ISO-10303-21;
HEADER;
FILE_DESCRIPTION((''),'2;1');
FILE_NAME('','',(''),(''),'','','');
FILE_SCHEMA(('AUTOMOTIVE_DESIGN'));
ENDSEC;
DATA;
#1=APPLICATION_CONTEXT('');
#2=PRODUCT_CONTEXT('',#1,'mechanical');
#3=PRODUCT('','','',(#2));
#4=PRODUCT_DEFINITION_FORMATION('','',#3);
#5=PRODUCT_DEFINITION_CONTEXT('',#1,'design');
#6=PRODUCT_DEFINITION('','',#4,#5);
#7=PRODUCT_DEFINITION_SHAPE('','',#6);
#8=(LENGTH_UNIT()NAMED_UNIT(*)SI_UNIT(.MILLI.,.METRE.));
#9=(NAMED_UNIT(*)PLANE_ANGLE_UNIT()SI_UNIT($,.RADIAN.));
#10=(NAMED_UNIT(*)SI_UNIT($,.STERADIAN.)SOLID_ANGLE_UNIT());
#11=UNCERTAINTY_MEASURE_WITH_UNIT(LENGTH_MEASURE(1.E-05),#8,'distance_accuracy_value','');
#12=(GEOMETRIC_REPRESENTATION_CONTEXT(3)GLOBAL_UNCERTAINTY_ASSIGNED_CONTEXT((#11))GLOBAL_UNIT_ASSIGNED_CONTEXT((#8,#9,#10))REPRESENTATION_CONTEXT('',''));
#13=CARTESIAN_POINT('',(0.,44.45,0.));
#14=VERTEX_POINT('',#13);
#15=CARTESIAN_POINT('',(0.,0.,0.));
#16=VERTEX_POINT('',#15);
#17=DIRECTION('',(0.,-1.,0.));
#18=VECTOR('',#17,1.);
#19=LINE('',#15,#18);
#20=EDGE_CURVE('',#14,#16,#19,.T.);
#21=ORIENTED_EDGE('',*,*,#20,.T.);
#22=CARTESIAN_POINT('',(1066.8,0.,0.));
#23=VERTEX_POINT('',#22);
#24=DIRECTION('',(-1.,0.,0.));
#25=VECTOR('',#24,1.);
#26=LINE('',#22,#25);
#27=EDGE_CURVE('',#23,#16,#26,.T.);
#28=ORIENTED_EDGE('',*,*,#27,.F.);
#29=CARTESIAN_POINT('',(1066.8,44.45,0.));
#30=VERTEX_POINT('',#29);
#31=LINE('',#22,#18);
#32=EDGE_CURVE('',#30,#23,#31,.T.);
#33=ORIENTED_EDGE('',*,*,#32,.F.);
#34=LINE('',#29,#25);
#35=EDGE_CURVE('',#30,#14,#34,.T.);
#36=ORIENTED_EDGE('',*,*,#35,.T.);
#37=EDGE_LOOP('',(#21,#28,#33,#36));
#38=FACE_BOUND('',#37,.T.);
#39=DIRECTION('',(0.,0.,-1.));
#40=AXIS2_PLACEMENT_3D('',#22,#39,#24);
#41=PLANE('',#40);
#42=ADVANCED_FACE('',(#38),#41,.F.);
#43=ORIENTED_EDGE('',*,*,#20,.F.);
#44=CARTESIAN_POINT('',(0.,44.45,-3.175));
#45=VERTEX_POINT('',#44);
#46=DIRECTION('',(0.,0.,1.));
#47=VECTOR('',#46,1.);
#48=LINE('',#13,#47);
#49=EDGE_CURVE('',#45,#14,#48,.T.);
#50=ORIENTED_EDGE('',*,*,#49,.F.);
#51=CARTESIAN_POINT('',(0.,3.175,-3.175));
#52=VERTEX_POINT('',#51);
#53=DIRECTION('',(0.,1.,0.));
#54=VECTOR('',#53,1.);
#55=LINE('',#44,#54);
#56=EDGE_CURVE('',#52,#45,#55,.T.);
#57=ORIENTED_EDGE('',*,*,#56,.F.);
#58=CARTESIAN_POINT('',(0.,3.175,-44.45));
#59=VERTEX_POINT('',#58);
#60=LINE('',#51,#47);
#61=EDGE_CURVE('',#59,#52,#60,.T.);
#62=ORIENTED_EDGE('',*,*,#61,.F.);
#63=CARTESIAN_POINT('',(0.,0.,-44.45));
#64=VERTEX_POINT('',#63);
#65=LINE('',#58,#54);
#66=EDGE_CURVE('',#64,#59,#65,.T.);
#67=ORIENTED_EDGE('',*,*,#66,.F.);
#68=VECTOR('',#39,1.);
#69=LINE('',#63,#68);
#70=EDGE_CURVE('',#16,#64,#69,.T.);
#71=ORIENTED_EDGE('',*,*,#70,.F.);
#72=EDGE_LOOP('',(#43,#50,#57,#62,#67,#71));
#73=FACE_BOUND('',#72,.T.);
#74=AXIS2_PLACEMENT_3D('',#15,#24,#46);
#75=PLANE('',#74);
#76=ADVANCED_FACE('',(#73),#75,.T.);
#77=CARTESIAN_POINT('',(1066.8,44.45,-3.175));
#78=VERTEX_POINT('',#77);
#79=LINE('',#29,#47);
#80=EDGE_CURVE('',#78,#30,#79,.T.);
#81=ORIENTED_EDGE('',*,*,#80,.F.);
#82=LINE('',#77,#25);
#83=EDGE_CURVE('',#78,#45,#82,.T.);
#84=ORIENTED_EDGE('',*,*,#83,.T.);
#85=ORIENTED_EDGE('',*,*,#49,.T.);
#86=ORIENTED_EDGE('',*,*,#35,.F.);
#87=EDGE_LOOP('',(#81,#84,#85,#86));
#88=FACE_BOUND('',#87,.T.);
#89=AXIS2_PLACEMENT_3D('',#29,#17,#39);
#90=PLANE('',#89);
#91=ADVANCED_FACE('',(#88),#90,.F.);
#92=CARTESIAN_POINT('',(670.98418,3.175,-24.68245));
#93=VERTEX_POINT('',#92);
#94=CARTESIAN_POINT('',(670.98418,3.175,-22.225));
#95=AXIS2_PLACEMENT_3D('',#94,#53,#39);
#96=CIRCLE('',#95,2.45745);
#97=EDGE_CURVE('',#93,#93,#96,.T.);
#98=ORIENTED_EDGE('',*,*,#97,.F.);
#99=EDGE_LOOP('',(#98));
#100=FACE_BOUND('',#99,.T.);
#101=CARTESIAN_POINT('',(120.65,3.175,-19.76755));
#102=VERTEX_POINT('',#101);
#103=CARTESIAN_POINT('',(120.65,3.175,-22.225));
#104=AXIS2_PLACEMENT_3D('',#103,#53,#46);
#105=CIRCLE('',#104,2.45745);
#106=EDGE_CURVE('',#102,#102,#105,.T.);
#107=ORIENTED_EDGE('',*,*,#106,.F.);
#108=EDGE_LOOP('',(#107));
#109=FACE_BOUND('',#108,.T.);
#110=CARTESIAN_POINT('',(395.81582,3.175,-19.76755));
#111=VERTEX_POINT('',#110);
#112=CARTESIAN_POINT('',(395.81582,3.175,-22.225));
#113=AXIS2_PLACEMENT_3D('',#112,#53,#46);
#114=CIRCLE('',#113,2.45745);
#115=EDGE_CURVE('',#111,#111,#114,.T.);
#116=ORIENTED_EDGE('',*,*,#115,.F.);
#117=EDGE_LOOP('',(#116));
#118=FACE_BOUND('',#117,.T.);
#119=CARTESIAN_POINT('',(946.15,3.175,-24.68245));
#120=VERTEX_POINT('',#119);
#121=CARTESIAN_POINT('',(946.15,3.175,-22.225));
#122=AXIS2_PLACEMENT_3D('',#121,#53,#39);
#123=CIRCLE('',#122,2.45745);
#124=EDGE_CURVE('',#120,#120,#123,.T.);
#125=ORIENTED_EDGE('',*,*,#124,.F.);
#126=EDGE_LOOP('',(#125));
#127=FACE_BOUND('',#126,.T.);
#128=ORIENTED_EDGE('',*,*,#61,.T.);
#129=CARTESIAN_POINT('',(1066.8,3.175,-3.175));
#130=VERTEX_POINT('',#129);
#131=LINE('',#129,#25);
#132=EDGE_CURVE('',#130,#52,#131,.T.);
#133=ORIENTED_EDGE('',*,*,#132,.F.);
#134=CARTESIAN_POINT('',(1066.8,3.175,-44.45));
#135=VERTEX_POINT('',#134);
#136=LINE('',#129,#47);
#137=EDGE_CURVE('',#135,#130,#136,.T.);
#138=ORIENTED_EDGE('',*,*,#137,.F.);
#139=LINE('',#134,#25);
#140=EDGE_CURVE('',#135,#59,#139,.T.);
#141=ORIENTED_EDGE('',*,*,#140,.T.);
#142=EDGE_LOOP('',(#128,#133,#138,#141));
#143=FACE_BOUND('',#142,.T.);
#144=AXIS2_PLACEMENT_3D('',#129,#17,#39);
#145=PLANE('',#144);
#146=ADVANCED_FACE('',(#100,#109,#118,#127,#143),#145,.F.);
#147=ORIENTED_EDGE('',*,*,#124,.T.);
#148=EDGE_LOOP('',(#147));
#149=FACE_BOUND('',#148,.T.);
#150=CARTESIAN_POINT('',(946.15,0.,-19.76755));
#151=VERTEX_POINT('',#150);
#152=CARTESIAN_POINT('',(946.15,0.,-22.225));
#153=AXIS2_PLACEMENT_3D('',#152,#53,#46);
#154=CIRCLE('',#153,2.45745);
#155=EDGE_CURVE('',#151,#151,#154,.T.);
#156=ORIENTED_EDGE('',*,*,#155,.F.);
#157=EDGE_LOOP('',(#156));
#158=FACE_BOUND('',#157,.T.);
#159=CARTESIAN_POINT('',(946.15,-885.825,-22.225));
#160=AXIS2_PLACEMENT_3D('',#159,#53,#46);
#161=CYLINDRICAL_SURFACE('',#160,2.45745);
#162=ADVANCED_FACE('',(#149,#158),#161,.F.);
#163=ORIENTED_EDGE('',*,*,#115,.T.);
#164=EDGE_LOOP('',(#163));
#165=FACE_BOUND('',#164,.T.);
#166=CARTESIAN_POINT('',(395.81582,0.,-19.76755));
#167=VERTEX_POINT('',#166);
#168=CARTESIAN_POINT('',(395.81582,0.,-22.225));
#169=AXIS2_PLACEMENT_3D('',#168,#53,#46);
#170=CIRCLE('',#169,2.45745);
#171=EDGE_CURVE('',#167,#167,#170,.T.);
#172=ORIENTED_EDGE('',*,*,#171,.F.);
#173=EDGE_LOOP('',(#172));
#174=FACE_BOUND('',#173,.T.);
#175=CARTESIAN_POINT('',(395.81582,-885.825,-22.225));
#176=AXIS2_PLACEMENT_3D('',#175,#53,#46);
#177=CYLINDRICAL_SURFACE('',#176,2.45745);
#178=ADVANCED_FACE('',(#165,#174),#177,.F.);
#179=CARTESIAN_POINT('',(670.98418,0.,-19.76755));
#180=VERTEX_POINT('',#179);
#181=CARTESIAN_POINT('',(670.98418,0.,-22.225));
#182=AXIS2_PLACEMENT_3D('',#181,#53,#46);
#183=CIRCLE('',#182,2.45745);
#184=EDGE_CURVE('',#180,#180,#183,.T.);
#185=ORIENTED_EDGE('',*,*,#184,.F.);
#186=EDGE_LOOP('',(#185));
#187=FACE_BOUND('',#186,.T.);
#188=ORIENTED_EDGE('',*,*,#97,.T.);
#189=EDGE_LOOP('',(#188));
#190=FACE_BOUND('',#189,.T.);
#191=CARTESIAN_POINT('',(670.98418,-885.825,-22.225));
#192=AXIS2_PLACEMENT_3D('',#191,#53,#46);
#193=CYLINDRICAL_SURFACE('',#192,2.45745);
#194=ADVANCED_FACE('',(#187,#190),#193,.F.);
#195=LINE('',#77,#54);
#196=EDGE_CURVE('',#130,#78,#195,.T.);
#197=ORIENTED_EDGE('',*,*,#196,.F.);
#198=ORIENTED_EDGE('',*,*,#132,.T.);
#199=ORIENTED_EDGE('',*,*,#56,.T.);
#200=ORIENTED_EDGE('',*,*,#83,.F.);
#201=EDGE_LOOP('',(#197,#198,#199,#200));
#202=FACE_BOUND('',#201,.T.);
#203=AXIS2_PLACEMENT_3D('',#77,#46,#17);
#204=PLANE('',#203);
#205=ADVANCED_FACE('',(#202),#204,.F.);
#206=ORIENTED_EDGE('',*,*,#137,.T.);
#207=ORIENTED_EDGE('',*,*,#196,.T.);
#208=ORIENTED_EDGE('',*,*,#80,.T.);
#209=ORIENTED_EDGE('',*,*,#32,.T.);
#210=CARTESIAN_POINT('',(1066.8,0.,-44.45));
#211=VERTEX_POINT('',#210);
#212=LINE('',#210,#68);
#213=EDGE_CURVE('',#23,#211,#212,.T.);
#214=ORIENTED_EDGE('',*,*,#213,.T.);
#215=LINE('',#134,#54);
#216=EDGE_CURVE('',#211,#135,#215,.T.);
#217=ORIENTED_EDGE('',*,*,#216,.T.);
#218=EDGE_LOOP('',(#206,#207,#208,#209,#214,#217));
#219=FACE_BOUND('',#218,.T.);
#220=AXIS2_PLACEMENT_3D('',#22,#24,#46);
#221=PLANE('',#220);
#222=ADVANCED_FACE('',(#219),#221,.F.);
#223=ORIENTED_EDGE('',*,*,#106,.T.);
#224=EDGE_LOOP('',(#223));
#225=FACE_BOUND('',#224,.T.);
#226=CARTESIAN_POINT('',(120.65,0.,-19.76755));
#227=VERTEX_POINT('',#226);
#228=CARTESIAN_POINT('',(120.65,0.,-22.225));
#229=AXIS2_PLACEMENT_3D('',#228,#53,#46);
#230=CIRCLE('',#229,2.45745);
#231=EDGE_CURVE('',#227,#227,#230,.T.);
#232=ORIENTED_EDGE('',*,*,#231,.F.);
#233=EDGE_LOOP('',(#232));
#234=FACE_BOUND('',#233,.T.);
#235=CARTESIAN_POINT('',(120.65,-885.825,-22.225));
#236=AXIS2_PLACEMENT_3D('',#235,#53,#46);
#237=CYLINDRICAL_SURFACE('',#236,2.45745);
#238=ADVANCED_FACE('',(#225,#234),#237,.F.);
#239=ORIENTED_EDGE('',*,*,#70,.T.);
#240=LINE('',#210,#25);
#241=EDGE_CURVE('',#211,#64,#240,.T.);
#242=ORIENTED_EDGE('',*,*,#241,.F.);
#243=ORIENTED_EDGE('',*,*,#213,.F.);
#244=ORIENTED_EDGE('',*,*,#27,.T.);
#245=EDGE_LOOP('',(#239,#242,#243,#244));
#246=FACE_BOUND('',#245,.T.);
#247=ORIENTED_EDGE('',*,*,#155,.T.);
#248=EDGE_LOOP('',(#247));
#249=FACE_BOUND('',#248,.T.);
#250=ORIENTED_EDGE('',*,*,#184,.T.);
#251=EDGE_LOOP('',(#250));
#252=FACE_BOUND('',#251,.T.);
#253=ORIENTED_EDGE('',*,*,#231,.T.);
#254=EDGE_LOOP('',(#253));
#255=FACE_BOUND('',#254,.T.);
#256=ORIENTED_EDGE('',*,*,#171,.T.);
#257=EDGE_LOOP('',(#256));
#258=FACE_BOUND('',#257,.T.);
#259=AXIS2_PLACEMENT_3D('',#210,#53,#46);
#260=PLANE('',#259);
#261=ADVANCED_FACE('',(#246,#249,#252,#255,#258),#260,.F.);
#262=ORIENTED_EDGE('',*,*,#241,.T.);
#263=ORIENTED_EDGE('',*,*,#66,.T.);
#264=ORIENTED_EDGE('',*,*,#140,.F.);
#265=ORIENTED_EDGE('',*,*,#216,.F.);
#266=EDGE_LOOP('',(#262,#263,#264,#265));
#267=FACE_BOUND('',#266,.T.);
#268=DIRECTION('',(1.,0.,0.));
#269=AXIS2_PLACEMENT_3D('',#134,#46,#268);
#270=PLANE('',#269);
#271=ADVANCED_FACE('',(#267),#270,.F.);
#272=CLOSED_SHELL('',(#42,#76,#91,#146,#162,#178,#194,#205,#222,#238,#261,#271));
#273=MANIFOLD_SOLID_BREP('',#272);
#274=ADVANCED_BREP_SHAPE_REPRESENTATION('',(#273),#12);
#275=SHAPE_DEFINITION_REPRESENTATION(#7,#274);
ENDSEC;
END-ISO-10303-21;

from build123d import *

# Parameters (mm, degrees)
BOSS_EXTRUDE1_DEPTH = 1066.8
SKETCH2_R           = 2.45745
CUT_EXTRUDE1_DEPTH  = 889


with BuildPart() as part:
    # Sketch1 → Boss-Extrude1 (new body)
    with BuildSketch(Plane(origin=(0, 0, 0), x_dir=(0, 0, -1), z_dir=(1, 0, 0))):
        Polygon((0, 0), (0, 44.45), (3.175, 44.45), (3.175, 3.175), (44.45, 3.175), (44.45, 0), align=None)
    extrude(amount=BOSS_EXTRUDE1_DEPTH)

    # Sketch2 → Cut-Extrude1 (cut)
    with BuildSketch(Plane(origin=(0, 3.175, 0), x_dir=(1, 0, 0), z_dir=(0, 1, 0))):
        with Locations(Location((120.65, 22.225, 0), (0, 0, 270))):
            Circle(SKETCH2_R)
        with Locations(Location((395.81582, 22.225, 0), (0, 0, 270))):
            Circle(SKETCH2_R)
        with Locations(Location((670.98418, 22.225, 0), (0, 0, 270))):
            Circle(SKETCH2_R)
        with Locations(Location((946.15, 22.225, 0), (0, 0, 270))):
            Circle(SKETCH2_R)
    extrude(amount=-CUT_EXTRUDE1_DEPTH, mode=Mode.SUBTRACT)


solid = part.part
